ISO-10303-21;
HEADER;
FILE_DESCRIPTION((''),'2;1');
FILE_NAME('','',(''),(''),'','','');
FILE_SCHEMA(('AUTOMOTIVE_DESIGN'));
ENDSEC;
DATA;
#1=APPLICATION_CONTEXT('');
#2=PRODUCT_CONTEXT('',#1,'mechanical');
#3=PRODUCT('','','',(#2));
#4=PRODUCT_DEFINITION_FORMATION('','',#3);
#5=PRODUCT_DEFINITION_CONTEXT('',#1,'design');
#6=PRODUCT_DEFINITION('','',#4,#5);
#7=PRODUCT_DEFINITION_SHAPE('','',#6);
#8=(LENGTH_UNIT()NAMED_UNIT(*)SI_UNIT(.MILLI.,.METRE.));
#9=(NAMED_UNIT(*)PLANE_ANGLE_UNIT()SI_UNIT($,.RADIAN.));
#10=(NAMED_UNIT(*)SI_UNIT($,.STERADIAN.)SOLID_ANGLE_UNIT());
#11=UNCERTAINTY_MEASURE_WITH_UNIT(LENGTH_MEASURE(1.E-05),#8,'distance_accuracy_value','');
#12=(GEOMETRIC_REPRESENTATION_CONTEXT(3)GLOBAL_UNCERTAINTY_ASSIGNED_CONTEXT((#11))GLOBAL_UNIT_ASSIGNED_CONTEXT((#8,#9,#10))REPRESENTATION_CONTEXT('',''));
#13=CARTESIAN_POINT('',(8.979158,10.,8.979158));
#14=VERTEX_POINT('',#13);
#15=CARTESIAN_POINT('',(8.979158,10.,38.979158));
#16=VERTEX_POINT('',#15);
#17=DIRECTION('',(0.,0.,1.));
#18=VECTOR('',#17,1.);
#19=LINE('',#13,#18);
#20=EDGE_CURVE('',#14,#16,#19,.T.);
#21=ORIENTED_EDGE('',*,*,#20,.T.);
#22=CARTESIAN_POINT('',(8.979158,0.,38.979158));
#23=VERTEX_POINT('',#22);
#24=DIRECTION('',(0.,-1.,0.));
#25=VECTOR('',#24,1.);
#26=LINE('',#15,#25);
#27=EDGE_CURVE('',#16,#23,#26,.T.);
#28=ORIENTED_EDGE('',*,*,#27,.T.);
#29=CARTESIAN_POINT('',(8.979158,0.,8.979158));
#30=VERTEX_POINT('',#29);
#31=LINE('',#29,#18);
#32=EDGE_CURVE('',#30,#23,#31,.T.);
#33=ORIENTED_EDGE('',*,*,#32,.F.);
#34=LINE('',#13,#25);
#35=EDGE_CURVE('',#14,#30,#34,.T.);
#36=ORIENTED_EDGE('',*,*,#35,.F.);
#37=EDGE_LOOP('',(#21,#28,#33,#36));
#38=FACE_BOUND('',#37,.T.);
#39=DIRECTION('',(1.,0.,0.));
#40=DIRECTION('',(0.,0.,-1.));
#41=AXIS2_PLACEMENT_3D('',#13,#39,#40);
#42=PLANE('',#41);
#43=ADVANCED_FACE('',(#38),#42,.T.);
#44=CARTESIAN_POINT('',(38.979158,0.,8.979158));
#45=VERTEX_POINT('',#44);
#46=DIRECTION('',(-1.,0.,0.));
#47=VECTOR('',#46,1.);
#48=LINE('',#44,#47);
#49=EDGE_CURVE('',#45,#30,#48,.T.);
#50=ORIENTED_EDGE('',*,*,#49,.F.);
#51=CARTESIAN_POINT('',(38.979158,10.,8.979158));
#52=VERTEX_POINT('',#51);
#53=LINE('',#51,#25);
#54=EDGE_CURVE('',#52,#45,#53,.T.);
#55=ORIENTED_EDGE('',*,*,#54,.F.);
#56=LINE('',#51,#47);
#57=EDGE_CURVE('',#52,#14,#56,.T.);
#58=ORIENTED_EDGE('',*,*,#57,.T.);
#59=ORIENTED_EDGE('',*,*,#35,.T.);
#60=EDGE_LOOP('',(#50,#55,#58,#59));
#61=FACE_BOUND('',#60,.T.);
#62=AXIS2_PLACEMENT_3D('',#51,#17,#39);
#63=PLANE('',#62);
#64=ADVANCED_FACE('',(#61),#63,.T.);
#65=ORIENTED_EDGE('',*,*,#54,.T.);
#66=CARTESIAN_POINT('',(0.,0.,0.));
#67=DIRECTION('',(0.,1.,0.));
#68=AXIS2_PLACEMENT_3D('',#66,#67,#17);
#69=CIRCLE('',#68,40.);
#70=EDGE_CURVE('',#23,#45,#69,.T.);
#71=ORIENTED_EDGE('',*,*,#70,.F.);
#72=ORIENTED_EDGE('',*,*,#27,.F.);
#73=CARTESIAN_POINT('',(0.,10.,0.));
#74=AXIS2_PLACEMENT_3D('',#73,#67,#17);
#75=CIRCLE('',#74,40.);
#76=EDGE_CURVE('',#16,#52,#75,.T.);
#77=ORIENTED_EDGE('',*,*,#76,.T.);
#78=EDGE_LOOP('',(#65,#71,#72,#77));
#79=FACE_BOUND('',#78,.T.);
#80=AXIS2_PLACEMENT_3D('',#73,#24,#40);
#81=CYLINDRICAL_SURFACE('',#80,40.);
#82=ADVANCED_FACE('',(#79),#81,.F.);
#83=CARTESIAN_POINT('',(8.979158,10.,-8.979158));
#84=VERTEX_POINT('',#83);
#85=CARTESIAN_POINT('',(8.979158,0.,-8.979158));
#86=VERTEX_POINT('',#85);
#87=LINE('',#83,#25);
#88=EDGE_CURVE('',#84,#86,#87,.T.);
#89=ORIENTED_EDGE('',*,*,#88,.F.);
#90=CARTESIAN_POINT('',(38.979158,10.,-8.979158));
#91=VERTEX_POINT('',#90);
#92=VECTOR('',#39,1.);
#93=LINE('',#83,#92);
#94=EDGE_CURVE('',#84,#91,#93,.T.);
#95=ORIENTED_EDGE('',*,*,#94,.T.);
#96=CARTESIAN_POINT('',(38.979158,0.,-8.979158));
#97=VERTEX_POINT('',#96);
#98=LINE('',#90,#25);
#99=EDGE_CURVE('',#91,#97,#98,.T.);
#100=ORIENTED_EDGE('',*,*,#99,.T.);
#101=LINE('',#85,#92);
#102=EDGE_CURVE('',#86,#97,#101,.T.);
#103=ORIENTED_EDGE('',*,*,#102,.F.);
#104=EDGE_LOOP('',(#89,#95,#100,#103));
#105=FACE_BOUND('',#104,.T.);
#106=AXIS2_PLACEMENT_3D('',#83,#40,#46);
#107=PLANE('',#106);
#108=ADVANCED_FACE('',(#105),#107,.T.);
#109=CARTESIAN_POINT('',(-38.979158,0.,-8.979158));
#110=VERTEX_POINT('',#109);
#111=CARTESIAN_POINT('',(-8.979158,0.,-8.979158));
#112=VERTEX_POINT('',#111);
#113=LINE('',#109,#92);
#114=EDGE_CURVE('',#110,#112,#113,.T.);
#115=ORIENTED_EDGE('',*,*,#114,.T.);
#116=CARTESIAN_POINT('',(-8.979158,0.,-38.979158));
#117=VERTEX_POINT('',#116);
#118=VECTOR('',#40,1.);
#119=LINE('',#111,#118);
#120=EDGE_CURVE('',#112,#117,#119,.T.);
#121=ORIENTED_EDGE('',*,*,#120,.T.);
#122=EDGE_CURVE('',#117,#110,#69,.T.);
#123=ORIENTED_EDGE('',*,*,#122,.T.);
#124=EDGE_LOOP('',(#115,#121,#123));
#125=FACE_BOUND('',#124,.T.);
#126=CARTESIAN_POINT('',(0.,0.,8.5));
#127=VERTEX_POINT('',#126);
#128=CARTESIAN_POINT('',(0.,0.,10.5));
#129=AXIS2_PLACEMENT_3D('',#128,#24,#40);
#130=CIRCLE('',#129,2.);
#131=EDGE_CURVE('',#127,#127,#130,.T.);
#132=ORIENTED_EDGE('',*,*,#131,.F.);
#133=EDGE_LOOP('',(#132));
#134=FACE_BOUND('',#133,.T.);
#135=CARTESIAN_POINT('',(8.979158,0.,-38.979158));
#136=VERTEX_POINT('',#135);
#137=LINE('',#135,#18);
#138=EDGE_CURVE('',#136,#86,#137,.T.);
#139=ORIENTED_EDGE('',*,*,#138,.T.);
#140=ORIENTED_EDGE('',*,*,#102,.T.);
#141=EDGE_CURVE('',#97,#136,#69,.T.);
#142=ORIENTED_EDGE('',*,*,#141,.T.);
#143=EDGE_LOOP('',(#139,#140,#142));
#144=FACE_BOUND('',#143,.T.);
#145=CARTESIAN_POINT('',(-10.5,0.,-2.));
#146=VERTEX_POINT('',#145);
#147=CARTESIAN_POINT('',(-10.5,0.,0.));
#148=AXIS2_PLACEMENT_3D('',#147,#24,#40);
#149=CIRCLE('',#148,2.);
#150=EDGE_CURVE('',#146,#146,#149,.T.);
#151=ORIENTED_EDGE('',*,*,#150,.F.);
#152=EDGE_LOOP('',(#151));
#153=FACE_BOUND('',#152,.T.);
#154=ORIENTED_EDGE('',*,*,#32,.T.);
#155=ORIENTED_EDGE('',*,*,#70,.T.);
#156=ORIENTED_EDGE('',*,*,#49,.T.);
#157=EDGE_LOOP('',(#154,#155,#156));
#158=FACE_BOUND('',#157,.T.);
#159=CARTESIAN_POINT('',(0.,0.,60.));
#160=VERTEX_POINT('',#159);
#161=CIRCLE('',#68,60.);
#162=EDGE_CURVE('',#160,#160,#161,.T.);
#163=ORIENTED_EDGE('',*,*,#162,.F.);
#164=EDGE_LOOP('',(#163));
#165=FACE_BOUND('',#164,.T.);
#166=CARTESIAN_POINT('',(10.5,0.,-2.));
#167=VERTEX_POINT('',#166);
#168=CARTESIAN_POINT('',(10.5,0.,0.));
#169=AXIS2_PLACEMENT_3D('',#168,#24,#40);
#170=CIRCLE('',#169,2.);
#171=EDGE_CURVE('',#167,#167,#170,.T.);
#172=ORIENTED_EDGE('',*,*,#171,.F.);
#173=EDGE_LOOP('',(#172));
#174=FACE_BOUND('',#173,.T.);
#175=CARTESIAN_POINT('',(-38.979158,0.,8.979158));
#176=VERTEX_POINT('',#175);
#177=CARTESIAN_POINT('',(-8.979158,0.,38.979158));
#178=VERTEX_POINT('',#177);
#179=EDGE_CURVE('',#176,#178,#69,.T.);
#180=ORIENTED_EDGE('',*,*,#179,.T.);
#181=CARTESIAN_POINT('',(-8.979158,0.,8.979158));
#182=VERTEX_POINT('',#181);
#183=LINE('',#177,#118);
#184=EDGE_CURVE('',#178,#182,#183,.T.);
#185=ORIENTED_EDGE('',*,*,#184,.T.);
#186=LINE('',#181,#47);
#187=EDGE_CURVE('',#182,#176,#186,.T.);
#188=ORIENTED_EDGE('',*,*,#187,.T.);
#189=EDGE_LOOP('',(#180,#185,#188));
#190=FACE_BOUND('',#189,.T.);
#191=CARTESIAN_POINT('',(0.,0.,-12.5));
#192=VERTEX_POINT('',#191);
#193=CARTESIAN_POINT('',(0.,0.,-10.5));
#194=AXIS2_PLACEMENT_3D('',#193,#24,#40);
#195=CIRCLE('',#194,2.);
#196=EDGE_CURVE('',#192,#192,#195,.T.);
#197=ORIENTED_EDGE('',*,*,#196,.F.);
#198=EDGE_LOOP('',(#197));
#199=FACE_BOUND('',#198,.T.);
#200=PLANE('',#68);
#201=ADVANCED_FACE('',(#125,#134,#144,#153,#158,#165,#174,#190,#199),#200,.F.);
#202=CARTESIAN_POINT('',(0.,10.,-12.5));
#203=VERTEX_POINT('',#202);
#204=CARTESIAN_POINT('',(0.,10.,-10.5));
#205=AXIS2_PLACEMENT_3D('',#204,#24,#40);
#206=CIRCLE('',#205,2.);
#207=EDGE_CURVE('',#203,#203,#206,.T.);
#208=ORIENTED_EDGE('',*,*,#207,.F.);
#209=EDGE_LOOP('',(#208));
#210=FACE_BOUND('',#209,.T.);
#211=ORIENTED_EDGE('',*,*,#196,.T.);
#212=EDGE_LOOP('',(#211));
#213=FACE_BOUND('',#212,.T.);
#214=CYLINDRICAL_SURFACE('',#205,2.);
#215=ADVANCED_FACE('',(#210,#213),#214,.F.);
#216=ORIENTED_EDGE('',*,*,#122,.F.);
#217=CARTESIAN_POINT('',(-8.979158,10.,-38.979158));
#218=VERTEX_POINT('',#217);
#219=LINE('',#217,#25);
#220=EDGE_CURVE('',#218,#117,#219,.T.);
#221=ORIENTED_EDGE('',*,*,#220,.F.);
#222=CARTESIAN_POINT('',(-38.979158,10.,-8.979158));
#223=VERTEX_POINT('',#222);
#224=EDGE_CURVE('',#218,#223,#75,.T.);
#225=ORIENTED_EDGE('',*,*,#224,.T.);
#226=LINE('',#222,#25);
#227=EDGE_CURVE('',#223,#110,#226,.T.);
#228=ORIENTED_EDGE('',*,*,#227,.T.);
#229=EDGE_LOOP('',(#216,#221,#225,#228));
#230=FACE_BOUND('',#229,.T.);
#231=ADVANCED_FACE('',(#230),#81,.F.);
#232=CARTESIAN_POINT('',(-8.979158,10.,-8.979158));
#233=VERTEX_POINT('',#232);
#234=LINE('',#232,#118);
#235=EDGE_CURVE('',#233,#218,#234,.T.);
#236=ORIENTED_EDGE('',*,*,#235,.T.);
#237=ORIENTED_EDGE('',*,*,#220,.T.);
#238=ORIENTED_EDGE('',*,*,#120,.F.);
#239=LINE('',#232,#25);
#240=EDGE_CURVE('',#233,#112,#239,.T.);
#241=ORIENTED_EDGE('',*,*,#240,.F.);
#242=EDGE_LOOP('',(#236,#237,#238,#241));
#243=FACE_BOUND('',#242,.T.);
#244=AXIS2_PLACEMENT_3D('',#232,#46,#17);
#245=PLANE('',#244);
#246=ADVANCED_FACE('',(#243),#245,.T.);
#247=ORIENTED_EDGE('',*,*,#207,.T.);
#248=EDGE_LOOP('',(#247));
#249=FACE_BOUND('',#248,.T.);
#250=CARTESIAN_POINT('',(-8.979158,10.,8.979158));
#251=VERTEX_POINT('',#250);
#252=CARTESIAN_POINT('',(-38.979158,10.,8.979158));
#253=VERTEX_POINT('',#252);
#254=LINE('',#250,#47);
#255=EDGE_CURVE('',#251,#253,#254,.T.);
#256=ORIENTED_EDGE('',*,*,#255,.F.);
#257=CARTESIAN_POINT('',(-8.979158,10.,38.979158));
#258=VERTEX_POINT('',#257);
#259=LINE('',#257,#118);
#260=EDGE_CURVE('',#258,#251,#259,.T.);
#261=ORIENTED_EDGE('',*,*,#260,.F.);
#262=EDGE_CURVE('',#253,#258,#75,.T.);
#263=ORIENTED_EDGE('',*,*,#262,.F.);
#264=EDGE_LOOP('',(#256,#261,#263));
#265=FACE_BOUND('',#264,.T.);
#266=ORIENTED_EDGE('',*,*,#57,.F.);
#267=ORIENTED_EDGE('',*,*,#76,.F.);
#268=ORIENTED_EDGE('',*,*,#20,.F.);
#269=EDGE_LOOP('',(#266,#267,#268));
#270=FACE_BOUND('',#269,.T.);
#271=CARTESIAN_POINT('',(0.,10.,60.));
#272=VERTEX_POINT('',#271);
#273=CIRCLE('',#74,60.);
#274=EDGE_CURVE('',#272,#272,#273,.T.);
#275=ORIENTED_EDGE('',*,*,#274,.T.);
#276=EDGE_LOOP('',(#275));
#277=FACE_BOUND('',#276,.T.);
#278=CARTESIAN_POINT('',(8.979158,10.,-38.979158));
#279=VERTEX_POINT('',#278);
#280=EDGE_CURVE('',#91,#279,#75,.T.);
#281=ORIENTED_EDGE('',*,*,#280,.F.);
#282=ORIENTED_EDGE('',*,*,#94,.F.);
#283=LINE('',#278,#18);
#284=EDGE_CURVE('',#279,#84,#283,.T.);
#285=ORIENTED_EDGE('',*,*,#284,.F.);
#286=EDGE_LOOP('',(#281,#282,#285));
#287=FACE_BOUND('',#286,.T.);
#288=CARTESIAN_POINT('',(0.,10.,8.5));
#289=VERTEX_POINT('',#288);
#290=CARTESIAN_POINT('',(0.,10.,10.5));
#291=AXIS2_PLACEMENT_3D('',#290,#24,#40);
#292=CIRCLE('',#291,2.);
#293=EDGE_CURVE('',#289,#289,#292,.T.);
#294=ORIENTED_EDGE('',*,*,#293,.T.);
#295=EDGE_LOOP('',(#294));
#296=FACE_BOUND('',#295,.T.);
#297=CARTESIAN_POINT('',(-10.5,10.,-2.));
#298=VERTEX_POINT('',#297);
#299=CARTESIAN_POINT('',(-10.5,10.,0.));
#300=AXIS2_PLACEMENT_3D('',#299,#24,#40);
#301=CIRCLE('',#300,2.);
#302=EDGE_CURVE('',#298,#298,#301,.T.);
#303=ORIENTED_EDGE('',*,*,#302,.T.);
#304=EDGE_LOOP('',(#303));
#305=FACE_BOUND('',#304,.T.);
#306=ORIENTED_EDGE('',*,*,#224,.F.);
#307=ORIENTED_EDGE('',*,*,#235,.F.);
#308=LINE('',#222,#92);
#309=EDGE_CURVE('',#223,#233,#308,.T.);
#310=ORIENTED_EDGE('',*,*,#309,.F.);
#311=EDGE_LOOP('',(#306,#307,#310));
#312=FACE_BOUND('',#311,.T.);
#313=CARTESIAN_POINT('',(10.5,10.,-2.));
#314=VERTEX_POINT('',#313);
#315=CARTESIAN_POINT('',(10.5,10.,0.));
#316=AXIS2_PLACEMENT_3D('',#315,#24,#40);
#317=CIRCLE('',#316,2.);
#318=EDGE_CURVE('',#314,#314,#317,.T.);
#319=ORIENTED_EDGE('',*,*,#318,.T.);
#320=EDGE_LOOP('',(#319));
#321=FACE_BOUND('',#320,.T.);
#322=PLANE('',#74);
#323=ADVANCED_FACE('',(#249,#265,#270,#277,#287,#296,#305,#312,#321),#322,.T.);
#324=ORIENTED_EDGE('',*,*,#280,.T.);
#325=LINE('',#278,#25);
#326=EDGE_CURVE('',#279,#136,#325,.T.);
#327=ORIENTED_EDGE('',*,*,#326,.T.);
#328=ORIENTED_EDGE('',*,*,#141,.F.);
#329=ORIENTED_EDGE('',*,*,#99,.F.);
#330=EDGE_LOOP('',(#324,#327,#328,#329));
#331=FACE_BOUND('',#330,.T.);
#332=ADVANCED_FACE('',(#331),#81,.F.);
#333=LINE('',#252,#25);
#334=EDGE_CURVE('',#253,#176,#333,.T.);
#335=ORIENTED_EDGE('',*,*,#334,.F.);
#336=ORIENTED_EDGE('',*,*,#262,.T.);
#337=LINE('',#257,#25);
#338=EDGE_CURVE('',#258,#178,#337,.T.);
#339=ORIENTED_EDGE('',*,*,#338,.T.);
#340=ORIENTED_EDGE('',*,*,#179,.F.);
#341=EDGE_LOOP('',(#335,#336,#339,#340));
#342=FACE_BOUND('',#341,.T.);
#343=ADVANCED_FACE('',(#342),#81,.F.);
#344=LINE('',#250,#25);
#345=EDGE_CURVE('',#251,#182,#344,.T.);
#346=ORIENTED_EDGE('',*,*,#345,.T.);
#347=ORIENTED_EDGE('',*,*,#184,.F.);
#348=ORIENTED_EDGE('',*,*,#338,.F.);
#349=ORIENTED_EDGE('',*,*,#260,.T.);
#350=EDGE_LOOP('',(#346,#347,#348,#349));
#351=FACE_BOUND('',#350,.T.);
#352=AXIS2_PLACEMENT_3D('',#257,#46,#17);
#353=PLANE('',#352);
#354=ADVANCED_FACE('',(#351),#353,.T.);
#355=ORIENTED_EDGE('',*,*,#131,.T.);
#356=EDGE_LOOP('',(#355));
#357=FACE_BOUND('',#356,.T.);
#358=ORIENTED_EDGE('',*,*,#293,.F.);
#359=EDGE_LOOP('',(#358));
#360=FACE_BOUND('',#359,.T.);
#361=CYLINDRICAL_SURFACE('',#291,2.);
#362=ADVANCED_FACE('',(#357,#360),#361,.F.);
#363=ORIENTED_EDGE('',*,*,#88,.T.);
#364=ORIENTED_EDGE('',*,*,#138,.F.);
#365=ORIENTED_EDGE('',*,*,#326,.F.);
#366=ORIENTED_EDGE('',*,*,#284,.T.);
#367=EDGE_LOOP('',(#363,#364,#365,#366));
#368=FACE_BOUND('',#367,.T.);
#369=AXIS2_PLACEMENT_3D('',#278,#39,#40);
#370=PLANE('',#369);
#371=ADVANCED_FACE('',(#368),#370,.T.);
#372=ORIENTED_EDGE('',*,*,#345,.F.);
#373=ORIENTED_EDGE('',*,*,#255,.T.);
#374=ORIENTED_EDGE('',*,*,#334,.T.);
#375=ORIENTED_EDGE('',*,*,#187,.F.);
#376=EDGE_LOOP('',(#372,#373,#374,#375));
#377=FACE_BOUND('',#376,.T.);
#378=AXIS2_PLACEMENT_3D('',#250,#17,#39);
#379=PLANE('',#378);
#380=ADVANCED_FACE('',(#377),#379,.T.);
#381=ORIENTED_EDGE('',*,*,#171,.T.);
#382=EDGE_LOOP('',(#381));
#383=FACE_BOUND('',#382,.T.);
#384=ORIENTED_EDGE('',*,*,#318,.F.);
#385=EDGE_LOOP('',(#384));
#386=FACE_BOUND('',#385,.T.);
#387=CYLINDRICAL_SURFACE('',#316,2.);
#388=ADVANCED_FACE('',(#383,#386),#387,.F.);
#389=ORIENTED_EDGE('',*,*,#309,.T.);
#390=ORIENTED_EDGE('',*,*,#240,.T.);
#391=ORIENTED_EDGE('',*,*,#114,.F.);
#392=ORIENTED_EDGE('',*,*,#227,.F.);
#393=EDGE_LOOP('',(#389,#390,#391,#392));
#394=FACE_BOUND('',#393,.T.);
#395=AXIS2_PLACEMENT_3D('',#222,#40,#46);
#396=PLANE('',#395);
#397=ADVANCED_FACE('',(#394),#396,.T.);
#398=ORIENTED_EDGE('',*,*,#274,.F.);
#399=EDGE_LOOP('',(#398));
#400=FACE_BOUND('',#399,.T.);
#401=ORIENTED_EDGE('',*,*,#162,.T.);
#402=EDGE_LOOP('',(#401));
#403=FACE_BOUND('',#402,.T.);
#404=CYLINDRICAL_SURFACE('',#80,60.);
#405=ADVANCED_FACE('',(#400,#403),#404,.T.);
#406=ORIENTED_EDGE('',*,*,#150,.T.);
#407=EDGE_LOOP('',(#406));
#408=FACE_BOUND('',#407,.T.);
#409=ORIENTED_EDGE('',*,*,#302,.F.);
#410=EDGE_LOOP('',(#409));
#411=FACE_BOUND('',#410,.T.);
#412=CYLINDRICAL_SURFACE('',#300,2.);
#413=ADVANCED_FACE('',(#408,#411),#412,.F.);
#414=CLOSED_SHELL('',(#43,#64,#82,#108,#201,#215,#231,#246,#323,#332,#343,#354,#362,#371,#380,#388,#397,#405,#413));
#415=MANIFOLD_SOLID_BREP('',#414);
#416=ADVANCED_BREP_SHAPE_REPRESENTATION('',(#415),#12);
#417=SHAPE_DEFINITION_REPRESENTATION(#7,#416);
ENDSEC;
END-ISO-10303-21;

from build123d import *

# Parameters (mm, degrees)
SKETCH2_R           = 60
BOSS_EXTRUDE2_DEPTH = 10
SKETCH3_R           = 2
CUT_EXTRUDE1_DEPTH  = 86.440037453


with BuildPart() as part:
    # Sketch2 → Boss-Extrude2 (new body)
    with BuildSketch(Plane(origin=(0, 0, 0), x_dir=(1, 0, 0), z_dir=(0, 1, 0))):
        with Locations(Location((0, 0, 0), (0, 0, 270))):
            Circle(SKETCH2_R)
        with BuildLine():
            Line((-8.979157617, -38.979157617), (-8.979157617, -8.979157617))
            Line((-8.979157617, -8.979157617), (-38.979157617, -8.979157617))
            ThreePointArc((-38.979157617, -8.979157617), (-28.284271247, -28.284271247), (-8.979157617, -38.979157617))
        make_face(mode=Mode.SUBTRACT)
        with BuildLine():
            Line((-8.979157617, 8.979157617), (-8.979157617, 38.979157617))
            ThreePointArc((-8.979157617, 38.979157617), (-28.284271247, 28.284271247), (-38.979157617, 8.979157617))
            Line((-38.979157617, 8.979157617), (-8.979157617, 8.979157617))
        make_face(mode=Mode.SUBTRACT)
        with BuildLine():
            Line((8.979157617, 8.979157617), (38.979157617, 8.979157617))
            ThreePointArc((38.979157617, 8.979157617), (28.284271247, 28.284271247), (8.979157617, 38.979157617))
            Line((8.979157617, 38.979157617), (8.979157617, 8.979157617))
        make_face(mode=Mode.SUBTRACT)
        with BuildLine():
            Line((8.979157617, -8.979157617), (8.979157617, -38.979157617))
            ThreePointArc((8.979157617, -38.979157617), (28.284271247, -28.284271247), (38.979157617, -8.979157617))
            Line((38.979157617, -8.979157617), (8.979157617, -8.979157617))
        make_face(mode=Mode.SUBTRACT)
    extrude(amount=BOSS_EXTRUDE2_DEPTH)

    # Sketch3 → Cut-Extrude1 (cut, through all)
    with BuildSketch(Plane.XZ):
        with Locations(Location((-10.5, 0, 0), (0, 0, 270))):
            Circle(SKETCH3_R)
        with Locations(Location((0, 10.5, 0), (0, 0, 270))):
            Circle(SKETCH3_R)
        with Locations(Location((10.5, 0, 0), (0, 0, 270))):
            Circle(SKETCH3_R)
        with Locations(Location((0, -10.5, 0), (0, 0, 270))):
            Circle(SKETCH3_R)
    extrude(amount=-CUT_EXTRUDE1_DEPTH, mode=Mode.SUBTRACT)


solid = part.part
